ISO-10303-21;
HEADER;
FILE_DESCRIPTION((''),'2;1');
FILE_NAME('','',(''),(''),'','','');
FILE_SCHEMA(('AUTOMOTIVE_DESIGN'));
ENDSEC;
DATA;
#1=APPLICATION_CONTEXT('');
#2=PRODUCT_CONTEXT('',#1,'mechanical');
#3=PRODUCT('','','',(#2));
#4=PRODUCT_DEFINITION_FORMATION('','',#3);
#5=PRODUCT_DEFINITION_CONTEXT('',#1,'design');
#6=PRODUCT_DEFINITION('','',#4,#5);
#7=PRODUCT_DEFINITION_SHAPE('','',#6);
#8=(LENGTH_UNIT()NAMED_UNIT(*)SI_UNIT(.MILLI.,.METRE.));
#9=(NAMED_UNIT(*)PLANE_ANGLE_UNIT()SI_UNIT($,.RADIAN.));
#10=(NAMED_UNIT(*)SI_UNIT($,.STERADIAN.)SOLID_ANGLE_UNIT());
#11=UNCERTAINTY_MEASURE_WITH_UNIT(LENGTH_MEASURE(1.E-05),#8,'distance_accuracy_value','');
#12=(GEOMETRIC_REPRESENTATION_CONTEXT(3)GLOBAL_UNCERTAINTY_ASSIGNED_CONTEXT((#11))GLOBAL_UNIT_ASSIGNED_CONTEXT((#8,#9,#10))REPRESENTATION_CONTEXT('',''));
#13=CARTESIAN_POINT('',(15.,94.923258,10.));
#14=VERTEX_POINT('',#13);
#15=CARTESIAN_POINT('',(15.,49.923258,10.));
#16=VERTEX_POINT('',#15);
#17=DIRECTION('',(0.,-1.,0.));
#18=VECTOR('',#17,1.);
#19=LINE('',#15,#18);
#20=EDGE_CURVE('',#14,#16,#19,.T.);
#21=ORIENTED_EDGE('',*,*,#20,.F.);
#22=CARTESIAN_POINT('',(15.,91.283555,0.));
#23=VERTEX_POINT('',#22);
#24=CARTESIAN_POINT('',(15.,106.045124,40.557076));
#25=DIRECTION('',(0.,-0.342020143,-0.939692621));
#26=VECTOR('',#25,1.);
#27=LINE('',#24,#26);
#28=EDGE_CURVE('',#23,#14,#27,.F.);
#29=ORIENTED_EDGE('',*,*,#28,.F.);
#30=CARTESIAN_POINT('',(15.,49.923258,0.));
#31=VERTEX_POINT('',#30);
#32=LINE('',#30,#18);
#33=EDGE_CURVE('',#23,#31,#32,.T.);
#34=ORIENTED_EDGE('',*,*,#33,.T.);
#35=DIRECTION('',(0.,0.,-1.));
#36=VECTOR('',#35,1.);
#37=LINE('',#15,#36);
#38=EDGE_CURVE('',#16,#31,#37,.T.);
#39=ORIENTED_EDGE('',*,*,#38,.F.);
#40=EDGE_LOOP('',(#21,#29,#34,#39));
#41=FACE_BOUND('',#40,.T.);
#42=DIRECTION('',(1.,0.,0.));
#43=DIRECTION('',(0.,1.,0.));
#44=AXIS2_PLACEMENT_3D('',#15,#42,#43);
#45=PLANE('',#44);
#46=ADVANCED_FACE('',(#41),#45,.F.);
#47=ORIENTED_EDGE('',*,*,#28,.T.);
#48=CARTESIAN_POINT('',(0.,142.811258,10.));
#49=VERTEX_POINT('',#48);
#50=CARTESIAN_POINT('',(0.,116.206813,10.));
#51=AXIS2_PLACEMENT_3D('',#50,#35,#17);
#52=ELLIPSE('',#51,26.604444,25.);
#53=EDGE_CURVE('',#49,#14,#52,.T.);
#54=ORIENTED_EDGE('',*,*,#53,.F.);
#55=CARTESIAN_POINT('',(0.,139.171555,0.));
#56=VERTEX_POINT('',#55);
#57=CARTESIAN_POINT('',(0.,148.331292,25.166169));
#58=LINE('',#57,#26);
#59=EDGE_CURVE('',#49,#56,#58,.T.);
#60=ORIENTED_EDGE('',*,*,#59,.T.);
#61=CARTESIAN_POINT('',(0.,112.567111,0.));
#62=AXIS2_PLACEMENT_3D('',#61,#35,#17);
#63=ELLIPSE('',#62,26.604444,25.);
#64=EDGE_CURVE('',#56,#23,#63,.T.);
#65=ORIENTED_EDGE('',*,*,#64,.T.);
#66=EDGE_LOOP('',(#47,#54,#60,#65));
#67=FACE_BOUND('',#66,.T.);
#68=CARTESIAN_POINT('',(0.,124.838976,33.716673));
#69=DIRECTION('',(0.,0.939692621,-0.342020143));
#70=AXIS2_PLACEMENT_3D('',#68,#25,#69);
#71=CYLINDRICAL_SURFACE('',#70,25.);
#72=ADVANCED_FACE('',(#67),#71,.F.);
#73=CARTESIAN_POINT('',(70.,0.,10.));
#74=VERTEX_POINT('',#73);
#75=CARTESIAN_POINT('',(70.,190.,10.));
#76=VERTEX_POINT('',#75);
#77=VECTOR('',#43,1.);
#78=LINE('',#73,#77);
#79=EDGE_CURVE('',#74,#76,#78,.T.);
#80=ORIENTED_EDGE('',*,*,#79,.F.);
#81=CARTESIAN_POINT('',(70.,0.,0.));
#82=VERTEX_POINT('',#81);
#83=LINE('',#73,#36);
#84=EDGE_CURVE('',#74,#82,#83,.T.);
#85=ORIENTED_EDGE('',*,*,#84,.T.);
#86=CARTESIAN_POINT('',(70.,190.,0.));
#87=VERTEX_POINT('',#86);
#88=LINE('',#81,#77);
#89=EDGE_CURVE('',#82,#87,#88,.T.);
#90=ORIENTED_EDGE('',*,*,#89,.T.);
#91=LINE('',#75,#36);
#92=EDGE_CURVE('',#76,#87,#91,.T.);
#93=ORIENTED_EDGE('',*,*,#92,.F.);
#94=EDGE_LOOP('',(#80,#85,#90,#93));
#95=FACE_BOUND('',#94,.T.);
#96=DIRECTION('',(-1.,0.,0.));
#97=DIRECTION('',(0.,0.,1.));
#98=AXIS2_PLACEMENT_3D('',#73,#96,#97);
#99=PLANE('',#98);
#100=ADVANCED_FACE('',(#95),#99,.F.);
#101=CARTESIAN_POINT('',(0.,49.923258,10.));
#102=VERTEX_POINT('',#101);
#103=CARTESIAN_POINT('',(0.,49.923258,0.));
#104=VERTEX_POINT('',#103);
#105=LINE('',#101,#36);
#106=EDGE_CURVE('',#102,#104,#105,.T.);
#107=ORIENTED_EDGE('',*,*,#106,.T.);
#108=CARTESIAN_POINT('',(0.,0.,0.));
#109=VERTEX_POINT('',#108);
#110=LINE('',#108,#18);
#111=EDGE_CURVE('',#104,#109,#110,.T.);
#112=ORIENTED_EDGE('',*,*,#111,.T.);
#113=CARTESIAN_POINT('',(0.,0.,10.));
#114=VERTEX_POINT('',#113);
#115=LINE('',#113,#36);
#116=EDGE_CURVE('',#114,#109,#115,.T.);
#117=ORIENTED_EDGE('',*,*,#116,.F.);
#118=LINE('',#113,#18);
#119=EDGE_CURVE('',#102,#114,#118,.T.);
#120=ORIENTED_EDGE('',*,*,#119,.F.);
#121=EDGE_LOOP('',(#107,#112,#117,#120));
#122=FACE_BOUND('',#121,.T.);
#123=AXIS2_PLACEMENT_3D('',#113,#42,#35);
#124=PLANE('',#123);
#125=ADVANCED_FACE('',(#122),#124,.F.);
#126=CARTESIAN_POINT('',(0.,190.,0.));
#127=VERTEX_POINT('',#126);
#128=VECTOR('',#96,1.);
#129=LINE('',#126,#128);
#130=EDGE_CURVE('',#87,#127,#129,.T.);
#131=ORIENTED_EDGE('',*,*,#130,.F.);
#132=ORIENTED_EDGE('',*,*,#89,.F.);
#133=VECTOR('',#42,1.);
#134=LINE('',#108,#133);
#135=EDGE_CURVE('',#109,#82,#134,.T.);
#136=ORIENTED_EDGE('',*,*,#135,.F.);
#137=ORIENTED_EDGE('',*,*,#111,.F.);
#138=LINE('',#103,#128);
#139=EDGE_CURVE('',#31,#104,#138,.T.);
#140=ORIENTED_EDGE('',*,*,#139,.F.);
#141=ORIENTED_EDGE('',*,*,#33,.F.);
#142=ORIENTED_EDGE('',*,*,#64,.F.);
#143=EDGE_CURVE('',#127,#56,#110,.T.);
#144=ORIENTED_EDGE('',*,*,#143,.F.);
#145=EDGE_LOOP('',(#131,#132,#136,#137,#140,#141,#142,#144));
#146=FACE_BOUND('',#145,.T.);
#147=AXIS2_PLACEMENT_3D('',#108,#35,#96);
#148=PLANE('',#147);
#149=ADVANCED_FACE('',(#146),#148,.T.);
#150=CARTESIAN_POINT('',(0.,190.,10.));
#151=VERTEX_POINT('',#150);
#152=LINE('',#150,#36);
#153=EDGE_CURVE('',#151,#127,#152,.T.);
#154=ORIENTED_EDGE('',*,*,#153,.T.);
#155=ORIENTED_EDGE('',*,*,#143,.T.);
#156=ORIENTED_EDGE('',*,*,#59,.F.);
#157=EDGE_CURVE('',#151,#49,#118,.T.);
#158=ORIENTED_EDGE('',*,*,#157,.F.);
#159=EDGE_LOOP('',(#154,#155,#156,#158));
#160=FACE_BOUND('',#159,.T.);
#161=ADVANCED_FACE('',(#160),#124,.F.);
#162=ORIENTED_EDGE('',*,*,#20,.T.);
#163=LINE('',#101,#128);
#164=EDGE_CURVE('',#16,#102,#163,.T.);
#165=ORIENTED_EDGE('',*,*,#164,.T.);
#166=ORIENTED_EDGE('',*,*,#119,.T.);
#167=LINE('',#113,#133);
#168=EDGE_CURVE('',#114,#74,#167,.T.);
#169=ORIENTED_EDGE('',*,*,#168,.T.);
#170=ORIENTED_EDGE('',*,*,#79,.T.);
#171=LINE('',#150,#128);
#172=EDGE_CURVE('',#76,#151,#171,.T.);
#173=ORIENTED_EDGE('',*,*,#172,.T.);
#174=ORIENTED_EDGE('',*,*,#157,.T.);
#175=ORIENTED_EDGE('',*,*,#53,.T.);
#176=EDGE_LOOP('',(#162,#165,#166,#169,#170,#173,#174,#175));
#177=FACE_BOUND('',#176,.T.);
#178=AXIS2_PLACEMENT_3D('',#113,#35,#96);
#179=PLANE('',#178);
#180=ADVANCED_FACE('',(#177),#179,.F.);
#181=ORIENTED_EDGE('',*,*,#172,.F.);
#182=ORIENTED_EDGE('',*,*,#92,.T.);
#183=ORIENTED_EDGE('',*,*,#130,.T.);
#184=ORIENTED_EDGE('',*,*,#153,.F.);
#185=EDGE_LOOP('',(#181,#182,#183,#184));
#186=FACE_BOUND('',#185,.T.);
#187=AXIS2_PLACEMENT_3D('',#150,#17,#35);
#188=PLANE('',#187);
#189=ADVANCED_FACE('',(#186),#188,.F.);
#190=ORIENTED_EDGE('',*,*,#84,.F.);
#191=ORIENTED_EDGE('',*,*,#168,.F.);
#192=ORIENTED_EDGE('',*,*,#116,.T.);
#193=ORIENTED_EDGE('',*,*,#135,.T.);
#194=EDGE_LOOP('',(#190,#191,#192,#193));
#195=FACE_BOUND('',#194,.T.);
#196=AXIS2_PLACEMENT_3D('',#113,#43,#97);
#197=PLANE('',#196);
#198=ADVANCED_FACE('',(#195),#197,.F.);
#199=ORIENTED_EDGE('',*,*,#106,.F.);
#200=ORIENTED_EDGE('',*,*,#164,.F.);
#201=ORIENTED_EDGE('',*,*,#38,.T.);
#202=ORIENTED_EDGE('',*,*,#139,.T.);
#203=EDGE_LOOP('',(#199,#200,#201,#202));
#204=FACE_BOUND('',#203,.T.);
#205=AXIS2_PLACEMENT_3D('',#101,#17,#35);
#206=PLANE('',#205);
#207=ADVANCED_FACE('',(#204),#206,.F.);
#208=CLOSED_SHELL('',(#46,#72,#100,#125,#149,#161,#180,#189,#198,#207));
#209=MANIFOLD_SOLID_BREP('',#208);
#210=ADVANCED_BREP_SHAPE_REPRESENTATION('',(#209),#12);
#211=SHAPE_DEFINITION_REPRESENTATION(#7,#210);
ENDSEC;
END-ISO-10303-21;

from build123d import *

# Parameters (mm, degrees)
ESQUISSE1_W             = 70
ESQUISSE1_H             = 190
BOSS_EXTRU_1_DEPTH      = 10
ENL_V_MAT_EXTRU_1_DEPTH = 203.731349327
ESQUISSE3_W             = 15
ESQUISSE3_H             = 45
ENL_V_MAT_EXTRU_2_DEPTH = 203.731349327


with BuildPart() as part:
    # Esquisse1 → Boss.-Extru.1 (new body)
    with BuildSketch(Plane.XY):
        with Locations((35, 95)):
            Rectangle(ESQUISSE1_W, ESQUISSE1_H)
    extrude(amount=BOSS_EXTRU_1_DEPTH)

    # Esquisse2 → Enlèv. mat.-Extru.1 (cut, through all)
    with BuildSketch(Plane(origin=(0, 0, 0), x_dir=(1, 0, 0), z_dir=(0, -0.34202014332566943, -0.9396926207859081))):
        with BuildLine():
            Line((0, -80.778483455), (0, -130.778483455))
            ThreePointArc((0, -130.778483455), (25, -105.778483455), (0, -80.778483455))
        make_face()
    extrude(amount=-ENL_V_MAT_EXTRU_1_DEPTH, mode=Mode.SUBTRACT)

    # Esquisse3 → Enlèv. mat.-Extru.2 (cut, through all)
    with BuildSketch(Plane(origin=(0, 0, 0), x_dir=(-1, 0, 0), z_dir=(0, 0, -1))):
        with Locations((-7.5, 72.423257792)):
            Rectangle(ESQUISSE3_W, ESQUISSE3_H)
    extrude(amount=-ENL_V_MAT_EXTRU_2_DEPTH, mode=Mode.SUBTRACT)


solid = part.part
